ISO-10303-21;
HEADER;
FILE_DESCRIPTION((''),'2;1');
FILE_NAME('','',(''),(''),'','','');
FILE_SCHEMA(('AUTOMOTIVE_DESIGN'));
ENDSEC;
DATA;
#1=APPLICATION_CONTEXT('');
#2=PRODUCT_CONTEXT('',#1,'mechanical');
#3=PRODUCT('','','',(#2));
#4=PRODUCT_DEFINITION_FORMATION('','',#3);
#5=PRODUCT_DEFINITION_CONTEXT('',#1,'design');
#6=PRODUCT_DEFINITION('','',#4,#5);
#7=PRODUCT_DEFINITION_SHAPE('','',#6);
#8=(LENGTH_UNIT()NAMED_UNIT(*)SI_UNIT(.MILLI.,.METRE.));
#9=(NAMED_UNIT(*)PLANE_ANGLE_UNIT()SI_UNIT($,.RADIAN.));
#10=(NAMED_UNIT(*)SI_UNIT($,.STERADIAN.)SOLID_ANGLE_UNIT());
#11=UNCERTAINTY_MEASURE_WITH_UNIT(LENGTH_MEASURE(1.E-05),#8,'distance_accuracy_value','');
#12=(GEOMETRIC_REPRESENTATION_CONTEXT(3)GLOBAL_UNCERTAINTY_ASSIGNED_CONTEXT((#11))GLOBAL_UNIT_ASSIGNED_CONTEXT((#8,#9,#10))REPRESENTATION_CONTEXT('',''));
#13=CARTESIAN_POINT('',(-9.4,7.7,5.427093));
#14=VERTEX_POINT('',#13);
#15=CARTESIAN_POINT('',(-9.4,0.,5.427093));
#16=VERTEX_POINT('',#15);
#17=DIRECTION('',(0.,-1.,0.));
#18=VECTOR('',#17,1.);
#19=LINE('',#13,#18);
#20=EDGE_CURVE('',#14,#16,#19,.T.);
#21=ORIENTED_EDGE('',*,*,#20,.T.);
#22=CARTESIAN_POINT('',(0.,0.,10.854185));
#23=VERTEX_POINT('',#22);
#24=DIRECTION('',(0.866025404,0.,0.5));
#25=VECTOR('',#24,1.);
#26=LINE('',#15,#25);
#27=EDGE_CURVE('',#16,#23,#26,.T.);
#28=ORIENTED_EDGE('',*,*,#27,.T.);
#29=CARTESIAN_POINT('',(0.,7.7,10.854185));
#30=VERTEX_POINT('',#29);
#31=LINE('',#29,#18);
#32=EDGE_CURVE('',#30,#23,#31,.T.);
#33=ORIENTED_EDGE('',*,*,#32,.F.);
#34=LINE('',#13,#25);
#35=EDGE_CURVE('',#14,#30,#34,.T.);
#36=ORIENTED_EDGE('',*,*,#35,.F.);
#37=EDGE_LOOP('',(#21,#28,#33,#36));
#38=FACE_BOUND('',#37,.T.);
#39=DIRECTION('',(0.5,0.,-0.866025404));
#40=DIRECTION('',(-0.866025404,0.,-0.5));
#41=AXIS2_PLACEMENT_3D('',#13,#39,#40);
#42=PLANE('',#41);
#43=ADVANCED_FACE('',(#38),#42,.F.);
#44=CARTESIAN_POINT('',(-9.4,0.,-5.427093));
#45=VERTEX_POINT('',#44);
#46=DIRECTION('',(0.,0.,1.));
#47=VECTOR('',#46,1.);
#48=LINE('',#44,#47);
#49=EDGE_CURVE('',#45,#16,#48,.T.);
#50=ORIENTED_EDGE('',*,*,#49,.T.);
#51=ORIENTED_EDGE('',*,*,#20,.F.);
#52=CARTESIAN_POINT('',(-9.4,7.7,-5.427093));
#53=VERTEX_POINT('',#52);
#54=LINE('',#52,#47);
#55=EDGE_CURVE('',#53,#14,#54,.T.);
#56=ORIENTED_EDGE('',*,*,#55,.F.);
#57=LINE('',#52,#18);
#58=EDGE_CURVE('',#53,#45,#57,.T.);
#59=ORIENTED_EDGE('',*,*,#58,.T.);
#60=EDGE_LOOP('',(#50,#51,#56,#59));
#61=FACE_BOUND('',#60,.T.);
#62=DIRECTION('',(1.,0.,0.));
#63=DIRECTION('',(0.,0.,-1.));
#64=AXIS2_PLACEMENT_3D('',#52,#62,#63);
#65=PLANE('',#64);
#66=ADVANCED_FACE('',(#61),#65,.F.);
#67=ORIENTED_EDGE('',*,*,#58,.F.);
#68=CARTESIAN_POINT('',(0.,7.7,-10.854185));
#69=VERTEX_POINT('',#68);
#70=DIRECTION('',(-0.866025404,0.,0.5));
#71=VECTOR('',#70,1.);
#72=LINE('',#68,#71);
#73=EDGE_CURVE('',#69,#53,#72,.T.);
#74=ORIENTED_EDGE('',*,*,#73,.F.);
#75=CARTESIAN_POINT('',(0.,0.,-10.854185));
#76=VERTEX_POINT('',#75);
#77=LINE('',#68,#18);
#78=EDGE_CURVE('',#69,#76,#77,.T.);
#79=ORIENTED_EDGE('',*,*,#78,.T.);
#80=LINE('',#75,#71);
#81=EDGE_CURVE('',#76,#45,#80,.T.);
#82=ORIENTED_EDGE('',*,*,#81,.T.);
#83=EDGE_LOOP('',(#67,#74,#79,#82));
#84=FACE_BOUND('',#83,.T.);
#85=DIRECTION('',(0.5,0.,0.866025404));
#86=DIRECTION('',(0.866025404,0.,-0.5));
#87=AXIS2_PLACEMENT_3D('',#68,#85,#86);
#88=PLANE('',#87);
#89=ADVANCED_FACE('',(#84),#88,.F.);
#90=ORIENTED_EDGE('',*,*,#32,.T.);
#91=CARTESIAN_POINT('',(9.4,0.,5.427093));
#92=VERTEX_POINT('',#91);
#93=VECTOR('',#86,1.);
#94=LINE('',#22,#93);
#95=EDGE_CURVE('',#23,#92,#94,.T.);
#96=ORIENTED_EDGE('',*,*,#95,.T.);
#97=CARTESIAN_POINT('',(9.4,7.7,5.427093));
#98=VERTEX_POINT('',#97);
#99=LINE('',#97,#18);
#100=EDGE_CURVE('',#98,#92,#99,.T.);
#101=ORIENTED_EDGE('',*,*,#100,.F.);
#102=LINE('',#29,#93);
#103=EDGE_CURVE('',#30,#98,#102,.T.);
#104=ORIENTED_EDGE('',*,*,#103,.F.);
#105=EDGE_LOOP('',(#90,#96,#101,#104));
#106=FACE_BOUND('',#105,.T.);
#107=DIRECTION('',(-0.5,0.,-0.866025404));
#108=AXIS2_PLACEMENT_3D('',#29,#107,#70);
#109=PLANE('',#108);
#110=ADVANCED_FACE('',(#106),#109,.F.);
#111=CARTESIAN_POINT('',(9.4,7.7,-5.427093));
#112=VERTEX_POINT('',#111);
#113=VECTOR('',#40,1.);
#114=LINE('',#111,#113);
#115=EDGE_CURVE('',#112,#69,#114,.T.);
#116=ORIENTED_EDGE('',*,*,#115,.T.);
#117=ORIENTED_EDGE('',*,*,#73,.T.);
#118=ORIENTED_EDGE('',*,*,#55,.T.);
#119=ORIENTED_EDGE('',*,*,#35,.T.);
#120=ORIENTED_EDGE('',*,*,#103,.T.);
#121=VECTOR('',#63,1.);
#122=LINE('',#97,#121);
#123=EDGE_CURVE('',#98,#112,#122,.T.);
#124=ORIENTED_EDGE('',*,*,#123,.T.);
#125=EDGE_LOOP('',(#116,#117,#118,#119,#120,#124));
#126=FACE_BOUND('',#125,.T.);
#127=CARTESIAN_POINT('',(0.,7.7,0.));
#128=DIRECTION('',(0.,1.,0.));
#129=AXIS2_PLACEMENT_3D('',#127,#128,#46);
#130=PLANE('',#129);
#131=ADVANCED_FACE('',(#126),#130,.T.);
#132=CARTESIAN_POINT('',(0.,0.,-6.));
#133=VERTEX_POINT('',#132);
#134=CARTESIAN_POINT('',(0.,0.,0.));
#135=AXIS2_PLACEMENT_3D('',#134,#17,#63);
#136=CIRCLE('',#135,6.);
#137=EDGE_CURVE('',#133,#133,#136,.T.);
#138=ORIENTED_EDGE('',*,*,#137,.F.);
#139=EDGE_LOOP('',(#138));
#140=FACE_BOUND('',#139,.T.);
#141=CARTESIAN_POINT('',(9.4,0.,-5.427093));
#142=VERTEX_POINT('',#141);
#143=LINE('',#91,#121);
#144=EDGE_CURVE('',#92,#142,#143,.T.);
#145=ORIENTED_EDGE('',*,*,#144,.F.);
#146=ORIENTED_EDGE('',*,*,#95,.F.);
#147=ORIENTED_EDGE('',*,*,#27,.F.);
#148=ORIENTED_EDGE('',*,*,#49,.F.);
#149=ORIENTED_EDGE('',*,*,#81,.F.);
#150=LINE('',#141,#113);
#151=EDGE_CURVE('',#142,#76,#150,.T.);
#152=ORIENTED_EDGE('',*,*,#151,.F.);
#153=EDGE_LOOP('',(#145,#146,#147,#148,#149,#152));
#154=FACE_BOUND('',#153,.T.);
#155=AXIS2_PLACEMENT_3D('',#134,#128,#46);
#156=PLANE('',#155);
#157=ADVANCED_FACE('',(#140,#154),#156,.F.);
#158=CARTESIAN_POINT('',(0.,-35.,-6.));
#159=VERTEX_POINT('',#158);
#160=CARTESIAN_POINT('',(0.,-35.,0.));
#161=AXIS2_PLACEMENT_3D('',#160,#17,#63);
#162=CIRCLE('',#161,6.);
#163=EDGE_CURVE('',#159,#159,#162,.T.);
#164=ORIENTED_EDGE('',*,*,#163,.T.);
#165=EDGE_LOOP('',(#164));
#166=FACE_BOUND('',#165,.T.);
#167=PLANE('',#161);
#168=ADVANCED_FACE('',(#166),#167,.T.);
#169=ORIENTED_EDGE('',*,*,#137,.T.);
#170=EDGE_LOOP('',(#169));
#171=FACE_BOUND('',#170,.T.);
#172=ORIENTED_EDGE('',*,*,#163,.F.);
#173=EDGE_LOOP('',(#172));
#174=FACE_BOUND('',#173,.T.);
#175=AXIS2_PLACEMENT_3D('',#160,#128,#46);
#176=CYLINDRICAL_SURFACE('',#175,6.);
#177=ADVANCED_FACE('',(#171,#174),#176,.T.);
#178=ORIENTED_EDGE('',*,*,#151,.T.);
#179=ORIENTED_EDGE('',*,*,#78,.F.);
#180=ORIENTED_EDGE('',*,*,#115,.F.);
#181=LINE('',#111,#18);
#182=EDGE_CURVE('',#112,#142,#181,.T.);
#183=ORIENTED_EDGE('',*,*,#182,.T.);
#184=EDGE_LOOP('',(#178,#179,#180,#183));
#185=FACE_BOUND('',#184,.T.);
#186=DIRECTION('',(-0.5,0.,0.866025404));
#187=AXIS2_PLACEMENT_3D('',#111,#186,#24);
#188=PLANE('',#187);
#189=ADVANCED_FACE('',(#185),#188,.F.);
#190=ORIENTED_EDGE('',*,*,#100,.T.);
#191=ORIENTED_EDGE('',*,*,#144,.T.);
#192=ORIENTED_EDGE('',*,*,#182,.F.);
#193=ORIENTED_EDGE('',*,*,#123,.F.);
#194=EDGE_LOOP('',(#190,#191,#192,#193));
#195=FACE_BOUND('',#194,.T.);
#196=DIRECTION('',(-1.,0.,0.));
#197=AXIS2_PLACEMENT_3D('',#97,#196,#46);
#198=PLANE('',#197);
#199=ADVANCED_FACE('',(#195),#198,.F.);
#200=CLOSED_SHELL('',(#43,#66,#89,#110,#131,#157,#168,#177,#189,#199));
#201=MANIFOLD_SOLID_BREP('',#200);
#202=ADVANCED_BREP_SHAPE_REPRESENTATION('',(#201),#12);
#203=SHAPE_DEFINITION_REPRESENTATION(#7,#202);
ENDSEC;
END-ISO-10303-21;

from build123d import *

# Parameters (mm, degrees)
BOSS_EXTRUDE1_DEPTH = 7.7
SKETCH2_R           = 6
BOSS_EXTRUDE2_DEPTH = 35


with BuildPart() as part:
    # Sketch1 → Boss-Extrude1 (new body)
    with BuildSketch(Plane(origin=(0, 0, 0), x_dir=(1, 0, 0), z_dir=(0, 1, 0))):
        Polygon((0, 10.854185061), (-9.4, 5.42709253), (-9.4, -5.42709253), (0, -10.854185061), (9.4, -5.42709253), (9.4, 5.42709253), align=None)
    extrude(amount=BOSS_EXTRUDE1_DEPTH)

    # Sketch2 → Boss-Extrude2 (add)
    with BuildSketch(Plane.XZ):
        with Locations(Location((0, 0, 0), (0, 0, 270))):
            Circle(SKETCH2_R)
    extrude(amount=BOSS_EXTRUDE2_DEPTH)


solid = part.part
